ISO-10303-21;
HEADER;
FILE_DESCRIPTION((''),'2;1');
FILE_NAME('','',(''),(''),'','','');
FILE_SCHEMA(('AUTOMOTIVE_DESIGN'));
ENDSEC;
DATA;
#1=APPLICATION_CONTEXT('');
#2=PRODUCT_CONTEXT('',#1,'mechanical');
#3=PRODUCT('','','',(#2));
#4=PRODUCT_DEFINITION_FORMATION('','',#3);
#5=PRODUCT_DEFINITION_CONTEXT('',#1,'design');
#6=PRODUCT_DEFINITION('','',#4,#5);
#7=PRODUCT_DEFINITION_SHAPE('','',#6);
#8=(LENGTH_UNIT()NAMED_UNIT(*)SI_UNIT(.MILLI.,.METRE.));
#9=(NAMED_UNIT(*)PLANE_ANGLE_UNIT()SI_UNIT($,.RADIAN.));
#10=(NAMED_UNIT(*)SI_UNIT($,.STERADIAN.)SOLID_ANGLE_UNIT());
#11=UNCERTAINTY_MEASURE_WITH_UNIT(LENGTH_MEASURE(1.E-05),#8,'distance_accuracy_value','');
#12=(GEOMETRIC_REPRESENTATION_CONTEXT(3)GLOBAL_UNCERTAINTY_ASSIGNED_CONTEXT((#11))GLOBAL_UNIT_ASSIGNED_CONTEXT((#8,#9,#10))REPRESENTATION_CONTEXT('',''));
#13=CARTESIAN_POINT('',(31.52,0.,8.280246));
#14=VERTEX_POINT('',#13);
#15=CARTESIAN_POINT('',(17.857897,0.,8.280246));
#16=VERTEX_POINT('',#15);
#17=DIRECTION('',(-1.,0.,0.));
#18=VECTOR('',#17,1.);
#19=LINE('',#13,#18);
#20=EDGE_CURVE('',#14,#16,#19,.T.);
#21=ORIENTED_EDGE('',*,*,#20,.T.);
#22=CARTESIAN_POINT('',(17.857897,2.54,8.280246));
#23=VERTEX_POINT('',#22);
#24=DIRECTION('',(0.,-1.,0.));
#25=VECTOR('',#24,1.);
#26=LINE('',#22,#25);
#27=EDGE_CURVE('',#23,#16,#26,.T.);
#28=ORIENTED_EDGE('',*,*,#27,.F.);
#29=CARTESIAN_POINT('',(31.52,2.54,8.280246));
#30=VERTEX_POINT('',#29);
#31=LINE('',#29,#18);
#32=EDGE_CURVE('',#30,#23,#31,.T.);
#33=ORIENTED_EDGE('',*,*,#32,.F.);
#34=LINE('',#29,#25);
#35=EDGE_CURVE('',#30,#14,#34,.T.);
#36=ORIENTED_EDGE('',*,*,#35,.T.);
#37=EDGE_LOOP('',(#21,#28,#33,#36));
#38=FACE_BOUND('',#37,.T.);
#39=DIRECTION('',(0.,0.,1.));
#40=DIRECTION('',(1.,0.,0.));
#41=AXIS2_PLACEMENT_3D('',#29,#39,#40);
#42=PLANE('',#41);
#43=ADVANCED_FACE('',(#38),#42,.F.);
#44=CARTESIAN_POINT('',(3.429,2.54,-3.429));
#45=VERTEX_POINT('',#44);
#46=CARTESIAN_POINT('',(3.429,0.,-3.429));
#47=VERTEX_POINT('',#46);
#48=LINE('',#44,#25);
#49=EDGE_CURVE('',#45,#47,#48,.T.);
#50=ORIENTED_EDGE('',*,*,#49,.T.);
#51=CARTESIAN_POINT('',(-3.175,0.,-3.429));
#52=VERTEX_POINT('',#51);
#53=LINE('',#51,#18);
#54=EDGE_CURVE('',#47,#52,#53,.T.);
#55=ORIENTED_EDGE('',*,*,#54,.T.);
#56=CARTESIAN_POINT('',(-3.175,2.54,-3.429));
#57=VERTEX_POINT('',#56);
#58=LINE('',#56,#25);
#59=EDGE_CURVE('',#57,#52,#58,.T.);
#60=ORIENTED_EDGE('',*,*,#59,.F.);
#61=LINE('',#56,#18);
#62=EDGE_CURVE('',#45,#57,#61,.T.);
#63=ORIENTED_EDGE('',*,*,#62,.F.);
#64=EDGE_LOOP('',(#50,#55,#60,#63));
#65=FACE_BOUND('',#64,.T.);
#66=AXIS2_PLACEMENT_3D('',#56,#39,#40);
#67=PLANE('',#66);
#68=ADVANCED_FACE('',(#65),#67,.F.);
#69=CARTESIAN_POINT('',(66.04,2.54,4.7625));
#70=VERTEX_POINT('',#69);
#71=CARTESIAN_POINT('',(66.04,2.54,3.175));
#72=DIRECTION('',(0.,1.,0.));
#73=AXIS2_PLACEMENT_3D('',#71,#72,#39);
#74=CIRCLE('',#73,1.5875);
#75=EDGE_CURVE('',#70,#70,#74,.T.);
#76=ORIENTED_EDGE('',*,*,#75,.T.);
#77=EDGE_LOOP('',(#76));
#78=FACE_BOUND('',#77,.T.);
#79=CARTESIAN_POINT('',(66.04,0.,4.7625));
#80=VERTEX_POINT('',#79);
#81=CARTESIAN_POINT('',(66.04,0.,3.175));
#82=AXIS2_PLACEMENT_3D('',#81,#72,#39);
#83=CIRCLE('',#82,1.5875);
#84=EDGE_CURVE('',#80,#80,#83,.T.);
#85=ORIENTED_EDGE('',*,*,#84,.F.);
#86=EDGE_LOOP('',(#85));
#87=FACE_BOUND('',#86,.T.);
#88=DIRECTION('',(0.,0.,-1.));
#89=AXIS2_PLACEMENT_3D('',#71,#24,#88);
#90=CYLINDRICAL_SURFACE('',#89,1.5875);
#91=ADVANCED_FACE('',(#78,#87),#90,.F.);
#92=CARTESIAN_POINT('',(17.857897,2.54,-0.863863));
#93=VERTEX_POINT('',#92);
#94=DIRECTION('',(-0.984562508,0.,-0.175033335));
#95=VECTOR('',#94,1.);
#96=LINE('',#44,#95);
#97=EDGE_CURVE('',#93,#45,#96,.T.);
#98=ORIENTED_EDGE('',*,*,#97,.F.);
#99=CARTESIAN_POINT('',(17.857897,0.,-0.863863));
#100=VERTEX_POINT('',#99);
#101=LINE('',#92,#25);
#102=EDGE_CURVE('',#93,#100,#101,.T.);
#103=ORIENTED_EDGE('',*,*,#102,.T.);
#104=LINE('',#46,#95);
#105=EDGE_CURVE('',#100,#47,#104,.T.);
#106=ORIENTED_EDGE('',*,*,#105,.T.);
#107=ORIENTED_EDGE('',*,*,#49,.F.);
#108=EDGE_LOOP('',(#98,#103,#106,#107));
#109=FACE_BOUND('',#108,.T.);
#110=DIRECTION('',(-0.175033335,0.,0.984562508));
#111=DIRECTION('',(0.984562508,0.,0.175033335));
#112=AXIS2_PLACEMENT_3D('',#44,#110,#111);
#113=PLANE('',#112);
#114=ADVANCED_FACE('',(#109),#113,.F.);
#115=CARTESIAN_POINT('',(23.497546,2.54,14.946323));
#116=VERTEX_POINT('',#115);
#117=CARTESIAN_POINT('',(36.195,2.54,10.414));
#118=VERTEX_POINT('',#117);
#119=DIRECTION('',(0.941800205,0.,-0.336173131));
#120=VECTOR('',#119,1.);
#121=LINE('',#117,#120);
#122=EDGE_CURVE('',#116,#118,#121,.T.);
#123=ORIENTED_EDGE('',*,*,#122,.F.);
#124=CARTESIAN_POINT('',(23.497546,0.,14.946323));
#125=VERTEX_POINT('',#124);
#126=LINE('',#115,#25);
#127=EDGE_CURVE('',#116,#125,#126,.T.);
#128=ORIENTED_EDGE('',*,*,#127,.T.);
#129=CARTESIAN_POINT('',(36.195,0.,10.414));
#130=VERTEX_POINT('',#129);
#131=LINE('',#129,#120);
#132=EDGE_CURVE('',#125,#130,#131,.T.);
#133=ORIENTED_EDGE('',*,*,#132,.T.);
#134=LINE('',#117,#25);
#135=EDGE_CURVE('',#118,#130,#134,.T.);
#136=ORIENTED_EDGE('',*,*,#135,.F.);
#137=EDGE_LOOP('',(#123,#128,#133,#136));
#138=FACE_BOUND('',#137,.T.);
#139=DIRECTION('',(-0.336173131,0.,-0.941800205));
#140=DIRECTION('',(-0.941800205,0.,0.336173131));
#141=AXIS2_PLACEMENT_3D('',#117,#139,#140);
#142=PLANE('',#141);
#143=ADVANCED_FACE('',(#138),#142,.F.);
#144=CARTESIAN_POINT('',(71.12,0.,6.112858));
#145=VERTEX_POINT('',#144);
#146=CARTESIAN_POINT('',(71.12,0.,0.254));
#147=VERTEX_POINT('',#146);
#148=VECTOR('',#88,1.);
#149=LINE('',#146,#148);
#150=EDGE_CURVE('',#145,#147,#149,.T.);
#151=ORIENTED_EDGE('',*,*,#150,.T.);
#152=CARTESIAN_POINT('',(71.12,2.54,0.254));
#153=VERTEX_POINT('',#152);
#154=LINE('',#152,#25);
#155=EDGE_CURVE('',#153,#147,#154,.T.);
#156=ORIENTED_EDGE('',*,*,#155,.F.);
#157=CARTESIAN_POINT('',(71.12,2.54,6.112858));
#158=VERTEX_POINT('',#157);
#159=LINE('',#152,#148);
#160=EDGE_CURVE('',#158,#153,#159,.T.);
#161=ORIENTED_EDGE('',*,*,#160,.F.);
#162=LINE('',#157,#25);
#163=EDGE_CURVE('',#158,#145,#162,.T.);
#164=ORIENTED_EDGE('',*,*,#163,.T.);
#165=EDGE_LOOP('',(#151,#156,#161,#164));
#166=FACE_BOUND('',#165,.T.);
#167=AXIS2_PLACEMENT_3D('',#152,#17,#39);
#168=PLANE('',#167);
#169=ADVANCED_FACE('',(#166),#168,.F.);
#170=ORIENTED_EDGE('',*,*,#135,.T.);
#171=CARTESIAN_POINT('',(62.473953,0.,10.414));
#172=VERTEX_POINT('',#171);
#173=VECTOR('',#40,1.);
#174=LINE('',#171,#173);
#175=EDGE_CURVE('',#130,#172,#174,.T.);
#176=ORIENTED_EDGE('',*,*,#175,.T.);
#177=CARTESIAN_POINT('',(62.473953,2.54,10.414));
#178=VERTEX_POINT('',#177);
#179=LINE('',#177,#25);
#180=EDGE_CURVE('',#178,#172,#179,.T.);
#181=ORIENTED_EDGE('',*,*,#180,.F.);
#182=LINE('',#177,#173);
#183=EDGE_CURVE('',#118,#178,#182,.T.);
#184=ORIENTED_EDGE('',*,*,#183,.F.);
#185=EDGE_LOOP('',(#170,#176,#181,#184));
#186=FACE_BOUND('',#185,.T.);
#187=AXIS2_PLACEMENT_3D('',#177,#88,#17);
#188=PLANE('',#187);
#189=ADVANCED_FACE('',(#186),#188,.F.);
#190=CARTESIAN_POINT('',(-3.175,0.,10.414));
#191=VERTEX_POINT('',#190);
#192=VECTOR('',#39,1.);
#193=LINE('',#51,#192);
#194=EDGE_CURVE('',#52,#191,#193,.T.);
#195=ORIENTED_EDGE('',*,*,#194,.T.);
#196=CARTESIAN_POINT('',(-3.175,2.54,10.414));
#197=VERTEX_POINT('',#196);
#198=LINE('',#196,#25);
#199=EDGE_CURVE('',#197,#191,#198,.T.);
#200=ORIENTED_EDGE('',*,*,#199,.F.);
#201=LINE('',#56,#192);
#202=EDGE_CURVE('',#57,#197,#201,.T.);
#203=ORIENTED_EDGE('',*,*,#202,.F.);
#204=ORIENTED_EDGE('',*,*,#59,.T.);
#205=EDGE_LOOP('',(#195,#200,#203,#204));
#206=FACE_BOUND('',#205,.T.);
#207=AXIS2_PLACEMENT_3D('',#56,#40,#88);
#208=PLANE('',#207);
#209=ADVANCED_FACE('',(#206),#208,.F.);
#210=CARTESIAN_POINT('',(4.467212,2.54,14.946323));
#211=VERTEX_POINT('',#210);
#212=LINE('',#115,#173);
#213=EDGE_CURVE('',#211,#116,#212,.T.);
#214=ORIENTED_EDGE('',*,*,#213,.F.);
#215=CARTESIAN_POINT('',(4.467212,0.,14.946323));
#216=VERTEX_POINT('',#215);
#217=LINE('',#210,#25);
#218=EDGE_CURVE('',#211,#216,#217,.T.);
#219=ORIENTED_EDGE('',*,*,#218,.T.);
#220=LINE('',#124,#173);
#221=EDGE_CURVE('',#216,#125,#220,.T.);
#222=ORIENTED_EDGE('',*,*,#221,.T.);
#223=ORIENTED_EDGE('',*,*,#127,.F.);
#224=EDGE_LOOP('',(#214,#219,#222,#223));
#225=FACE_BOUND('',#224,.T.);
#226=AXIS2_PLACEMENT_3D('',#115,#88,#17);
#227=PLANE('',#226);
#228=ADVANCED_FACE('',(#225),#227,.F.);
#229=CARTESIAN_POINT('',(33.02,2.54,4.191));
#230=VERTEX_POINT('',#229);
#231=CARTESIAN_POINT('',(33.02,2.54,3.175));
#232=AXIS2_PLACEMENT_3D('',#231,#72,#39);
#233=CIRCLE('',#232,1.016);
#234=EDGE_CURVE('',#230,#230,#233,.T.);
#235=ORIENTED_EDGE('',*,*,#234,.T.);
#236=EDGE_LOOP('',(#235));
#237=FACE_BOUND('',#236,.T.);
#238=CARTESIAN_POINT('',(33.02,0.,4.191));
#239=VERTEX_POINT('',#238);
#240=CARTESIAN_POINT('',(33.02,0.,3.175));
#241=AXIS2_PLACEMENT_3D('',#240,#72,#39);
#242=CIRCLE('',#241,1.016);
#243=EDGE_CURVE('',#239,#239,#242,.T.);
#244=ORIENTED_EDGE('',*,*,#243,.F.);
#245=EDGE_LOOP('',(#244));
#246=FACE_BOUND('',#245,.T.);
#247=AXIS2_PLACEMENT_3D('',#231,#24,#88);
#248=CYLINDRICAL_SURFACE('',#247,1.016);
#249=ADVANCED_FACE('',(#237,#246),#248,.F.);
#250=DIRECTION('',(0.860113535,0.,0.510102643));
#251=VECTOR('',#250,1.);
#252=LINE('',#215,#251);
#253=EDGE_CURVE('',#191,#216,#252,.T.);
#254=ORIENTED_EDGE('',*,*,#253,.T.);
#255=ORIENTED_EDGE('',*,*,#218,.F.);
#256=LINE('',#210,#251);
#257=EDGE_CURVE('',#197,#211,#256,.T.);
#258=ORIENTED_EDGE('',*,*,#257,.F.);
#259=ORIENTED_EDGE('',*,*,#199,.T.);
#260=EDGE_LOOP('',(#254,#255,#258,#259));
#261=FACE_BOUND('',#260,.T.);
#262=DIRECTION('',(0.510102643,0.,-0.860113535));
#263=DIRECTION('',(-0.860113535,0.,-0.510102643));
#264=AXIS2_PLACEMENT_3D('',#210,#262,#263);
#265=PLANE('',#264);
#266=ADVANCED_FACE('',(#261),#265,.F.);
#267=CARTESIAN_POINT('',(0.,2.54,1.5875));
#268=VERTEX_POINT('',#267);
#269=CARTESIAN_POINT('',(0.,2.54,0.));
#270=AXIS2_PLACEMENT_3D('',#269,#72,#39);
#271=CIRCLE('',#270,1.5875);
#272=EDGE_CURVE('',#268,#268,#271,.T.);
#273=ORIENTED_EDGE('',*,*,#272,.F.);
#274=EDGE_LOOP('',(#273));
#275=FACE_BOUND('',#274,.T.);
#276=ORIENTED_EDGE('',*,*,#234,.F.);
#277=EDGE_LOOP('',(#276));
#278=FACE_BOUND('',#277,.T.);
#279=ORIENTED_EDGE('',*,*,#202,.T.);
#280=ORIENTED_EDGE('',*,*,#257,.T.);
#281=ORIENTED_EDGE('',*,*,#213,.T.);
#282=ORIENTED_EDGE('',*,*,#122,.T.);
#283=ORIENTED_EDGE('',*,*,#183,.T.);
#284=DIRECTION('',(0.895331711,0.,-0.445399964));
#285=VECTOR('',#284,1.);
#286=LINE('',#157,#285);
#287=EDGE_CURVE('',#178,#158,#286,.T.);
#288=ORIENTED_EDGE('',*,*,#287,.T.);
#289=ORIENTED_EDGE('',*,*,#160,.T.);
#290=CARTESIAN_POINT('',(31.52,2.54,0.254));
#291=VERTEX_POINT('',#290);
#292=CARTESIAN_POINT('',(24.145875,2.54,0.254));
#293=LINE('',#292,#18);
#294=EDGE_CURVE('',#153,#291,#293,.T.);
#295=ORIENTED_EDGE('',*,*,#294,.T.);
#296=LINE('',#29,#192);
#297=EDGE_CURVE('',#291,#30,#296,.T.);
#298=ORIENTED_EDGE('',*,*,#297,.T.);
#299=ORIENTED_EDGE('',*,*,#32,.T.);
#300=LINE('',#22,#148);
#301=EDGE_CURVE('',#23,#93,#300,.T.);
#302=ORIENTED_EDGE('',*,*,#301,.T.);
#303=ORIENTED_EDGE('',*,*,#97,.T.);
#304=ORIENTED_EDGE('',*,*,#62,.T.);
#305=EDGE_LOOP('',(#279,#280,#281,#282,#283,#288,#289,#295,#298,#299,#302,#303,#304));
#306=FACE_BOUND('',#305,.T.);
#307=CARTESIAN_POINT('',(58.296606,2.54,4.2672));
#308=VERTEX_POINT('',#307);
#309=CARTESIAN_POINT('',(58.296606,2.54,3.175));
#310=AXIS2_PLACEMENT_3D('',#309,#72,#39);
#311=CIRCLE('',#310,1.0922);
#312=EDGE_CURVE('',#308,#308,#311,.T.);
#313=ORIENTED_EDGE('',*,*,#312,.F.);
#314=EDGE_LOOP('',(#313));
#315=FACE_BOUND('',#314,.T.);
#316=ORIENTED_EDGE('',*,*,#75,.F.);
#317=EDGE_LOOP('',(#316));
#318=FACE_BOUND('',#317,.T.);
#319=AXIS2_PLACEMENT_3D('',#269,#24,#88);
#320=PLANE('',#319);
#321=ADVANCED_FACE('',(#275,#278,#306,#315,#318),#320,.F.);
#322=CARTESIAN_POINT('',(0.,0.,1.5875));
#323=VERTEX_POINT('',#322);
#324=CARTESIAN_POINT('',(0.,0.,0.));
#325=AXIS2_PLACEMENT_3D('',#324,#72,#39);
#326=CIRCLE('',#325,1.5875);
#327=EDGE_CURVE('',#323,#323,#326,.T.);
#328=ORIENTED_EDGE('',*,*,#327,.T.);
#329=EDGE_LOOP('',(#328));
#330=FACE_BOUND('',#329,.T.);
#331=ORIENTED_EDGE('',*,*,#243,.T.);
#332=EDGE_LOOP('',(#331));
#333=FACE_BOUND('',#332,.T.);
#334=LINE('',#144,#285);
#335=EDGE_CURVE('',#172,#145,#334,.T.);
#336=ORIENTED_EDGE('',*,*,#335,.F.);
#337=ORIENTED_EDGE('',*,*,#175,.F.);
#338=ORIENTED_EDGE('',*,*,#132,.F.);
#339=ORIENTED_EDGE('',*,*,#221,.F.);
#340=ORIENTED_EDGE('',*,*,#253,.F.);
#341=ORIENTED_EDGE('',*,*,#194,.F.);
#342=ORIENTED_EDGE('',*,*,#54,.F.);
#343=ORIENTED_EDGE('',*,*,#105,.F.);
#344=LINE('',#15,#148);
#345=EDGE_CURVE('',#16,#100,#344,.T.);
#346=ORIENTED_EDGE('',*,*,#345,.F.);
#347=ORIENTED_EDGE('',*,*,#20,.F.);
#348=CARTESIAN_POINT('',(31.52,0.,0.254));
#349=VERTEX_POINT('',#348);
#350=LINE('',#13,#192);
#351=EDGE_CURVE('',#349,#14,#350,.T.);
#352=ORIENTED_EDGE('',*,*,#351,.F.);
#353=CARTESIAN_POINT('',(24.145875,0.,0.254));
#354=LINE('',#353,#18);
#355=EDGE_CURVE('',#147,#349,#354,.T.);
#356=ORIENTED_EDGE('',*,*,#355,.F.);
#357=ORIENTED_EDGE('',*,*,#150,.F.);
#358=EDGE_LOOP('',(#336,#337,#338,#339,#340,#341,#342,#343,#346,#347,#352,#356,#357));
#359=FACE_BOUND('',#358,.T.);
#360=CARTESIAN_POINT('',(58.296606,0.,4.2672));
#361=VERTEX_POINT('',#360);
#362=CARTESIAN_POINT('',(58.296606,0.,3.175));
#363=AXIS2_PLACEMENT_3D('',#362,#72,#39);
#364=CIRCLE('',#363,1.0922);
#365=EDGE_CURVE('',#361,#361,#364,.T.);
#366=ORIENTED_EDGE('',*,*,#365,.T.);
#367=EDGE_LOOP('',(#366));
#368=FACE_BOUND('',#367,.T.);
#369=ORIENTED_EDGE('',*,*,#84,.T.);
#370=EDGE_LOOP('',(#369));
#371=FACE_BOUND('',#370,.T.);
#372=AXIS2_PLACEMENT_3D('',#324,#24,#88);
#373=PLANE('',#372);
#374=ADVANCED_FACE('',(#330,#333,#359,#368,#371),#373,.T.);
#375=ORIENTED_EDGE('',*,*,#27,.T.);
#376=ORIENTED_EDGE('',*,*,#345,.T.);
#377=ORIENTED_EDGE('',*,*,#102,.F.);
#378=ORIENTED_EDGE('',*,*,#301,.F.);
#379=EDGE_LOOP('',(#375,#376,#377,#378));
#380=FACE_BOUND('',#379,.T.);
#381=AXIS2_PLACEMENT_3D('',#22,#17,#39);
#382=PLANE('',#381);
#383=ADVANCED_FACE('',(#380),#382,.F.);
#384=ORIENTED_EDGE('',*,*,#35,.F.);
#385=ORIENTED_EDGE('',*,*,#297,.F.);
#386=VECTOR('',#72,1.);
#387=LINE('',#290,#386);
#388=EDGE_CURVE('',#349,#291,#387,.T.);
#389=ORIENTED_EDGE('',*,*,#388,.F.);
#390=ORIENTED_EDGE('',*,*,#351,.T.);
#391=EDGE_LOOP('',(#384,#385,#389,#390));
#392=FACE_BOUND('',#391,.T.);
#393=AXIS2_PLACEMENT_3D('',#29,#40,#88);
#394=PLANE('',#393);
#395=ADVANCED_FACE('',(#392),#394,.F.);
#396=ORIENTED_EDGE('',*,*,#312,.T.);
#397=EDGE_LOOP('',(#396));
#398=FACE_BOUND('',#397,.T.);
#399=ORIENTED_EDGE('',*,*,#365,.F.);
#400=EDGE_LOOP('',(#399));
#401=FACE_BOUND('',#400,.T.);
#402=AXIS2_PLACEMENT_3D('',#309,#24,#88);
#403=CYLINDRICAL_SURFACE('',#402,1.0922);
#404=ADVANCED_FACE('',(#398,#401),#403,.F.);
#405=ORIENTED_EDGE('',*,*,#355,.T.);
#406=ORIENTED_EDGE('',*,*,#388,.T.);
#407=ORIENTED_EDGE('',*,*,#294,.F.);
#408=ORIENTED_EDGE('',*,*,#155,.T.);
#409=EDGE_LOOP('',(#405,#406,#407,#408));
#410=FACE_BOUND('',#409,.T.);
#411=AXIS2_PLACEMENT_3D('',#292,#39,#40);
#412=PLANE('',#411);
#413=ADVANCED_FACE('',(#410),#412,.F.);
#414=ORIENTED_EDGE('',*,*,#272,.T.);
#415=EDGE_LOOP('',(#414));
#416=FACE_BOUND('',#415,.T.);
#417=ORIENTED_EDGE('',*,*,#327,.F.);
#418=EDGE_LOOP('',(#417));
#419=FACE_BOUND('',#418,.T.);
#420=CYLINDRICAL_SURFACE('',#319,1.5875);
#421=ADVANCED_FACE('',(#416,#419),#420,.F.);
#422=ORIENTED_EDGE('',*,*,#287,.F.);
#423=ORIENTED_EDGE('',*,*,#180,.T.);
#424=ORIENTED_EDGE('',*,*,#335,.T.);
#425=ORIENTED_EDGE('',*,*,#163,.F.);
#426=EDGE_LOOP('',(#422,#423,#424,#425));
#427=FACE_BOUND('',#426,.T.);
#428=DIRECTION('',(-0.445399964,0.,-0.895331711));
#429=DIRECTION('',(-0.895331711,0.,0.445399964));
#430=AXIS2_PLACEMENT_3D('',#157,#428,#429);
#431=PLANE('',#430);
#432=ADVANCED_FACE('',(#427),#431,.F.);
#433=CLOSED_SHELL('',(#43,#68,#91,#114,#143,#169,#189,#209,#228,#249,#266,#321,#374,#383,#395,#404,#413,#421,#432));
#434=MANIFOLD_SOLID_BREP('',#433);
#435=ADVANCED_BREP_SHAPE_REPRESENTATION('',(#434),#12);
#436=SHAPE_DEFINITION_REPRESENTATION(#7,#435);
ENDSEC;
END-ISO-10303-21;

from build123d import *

# Parameters (mm, degrees)
SKETCH1_R           = 1.016
SKETCH1_R_2         = 1.5875
SKETCH1_R_3         = 1.0922
BOSS_EXTRUDE1_DEPTH = 2.54
SKETCH2_W           = 13.662102681
SKETCH2_H           = 9.772536082
CUT_EXTRUDE1_DEPTH  = 2.54


with BuildPart() as part:
    # Sketch1 → Boss-Extrude1 (new body)
    with BuildSketch(Plane(origin=(0, 0, 0), x_dir=(1, 0, 0), z_dir=(0, 1, 0))):
        Polygon((-3.175, 3.429), (-3.175, -10.414), (4.467211682, -14.946323026), (23.497546316, -14.946323026), (36.195, -10.414), (62.473953038, -10.414), (71.12, -6.112857804), (71.12, -0.254), (24.145875, -0.254), (3.429, 3.429), align=None)
        with Locations(Location((33.02, -3.175, 0), (0, 0, 270))):
            Circle(SKETCH1_R, mode=Mode.SUBTRACT)
        with Locations(Location((66.04, -3.175, 0), (0, 0, 270))):
            Circle(SKETCH1_R_2, mode=Mode.SUBTRACT)
        with Locations(Location((0, 0, 0), (0, 0, 270))):
            Circle(SKETCH1_R_2, mode=Mode.SUBTRACT)
        with Locations(Location((58.296606113, -3.175, 0), (0, 0, 270))):
            Circle(SKETCH1_R_3, mode=Mode.SUBTRACT)
    extrude(amount=BOSS_EXTRUDE1_DEPTH)

    # Sketch2 → Cut-Extrude1 (cut)
    with BuildSketch(Plane.XZ):
        with Locations((24.68894866, 3.393977835)):
            Rectangle(SKETCH2_W, SKETCH2_H)
    extrude(amount=-CUT_EXTRUDE1_DEPTH, mode=Mode.SUBTRACT)


solid = part.part
